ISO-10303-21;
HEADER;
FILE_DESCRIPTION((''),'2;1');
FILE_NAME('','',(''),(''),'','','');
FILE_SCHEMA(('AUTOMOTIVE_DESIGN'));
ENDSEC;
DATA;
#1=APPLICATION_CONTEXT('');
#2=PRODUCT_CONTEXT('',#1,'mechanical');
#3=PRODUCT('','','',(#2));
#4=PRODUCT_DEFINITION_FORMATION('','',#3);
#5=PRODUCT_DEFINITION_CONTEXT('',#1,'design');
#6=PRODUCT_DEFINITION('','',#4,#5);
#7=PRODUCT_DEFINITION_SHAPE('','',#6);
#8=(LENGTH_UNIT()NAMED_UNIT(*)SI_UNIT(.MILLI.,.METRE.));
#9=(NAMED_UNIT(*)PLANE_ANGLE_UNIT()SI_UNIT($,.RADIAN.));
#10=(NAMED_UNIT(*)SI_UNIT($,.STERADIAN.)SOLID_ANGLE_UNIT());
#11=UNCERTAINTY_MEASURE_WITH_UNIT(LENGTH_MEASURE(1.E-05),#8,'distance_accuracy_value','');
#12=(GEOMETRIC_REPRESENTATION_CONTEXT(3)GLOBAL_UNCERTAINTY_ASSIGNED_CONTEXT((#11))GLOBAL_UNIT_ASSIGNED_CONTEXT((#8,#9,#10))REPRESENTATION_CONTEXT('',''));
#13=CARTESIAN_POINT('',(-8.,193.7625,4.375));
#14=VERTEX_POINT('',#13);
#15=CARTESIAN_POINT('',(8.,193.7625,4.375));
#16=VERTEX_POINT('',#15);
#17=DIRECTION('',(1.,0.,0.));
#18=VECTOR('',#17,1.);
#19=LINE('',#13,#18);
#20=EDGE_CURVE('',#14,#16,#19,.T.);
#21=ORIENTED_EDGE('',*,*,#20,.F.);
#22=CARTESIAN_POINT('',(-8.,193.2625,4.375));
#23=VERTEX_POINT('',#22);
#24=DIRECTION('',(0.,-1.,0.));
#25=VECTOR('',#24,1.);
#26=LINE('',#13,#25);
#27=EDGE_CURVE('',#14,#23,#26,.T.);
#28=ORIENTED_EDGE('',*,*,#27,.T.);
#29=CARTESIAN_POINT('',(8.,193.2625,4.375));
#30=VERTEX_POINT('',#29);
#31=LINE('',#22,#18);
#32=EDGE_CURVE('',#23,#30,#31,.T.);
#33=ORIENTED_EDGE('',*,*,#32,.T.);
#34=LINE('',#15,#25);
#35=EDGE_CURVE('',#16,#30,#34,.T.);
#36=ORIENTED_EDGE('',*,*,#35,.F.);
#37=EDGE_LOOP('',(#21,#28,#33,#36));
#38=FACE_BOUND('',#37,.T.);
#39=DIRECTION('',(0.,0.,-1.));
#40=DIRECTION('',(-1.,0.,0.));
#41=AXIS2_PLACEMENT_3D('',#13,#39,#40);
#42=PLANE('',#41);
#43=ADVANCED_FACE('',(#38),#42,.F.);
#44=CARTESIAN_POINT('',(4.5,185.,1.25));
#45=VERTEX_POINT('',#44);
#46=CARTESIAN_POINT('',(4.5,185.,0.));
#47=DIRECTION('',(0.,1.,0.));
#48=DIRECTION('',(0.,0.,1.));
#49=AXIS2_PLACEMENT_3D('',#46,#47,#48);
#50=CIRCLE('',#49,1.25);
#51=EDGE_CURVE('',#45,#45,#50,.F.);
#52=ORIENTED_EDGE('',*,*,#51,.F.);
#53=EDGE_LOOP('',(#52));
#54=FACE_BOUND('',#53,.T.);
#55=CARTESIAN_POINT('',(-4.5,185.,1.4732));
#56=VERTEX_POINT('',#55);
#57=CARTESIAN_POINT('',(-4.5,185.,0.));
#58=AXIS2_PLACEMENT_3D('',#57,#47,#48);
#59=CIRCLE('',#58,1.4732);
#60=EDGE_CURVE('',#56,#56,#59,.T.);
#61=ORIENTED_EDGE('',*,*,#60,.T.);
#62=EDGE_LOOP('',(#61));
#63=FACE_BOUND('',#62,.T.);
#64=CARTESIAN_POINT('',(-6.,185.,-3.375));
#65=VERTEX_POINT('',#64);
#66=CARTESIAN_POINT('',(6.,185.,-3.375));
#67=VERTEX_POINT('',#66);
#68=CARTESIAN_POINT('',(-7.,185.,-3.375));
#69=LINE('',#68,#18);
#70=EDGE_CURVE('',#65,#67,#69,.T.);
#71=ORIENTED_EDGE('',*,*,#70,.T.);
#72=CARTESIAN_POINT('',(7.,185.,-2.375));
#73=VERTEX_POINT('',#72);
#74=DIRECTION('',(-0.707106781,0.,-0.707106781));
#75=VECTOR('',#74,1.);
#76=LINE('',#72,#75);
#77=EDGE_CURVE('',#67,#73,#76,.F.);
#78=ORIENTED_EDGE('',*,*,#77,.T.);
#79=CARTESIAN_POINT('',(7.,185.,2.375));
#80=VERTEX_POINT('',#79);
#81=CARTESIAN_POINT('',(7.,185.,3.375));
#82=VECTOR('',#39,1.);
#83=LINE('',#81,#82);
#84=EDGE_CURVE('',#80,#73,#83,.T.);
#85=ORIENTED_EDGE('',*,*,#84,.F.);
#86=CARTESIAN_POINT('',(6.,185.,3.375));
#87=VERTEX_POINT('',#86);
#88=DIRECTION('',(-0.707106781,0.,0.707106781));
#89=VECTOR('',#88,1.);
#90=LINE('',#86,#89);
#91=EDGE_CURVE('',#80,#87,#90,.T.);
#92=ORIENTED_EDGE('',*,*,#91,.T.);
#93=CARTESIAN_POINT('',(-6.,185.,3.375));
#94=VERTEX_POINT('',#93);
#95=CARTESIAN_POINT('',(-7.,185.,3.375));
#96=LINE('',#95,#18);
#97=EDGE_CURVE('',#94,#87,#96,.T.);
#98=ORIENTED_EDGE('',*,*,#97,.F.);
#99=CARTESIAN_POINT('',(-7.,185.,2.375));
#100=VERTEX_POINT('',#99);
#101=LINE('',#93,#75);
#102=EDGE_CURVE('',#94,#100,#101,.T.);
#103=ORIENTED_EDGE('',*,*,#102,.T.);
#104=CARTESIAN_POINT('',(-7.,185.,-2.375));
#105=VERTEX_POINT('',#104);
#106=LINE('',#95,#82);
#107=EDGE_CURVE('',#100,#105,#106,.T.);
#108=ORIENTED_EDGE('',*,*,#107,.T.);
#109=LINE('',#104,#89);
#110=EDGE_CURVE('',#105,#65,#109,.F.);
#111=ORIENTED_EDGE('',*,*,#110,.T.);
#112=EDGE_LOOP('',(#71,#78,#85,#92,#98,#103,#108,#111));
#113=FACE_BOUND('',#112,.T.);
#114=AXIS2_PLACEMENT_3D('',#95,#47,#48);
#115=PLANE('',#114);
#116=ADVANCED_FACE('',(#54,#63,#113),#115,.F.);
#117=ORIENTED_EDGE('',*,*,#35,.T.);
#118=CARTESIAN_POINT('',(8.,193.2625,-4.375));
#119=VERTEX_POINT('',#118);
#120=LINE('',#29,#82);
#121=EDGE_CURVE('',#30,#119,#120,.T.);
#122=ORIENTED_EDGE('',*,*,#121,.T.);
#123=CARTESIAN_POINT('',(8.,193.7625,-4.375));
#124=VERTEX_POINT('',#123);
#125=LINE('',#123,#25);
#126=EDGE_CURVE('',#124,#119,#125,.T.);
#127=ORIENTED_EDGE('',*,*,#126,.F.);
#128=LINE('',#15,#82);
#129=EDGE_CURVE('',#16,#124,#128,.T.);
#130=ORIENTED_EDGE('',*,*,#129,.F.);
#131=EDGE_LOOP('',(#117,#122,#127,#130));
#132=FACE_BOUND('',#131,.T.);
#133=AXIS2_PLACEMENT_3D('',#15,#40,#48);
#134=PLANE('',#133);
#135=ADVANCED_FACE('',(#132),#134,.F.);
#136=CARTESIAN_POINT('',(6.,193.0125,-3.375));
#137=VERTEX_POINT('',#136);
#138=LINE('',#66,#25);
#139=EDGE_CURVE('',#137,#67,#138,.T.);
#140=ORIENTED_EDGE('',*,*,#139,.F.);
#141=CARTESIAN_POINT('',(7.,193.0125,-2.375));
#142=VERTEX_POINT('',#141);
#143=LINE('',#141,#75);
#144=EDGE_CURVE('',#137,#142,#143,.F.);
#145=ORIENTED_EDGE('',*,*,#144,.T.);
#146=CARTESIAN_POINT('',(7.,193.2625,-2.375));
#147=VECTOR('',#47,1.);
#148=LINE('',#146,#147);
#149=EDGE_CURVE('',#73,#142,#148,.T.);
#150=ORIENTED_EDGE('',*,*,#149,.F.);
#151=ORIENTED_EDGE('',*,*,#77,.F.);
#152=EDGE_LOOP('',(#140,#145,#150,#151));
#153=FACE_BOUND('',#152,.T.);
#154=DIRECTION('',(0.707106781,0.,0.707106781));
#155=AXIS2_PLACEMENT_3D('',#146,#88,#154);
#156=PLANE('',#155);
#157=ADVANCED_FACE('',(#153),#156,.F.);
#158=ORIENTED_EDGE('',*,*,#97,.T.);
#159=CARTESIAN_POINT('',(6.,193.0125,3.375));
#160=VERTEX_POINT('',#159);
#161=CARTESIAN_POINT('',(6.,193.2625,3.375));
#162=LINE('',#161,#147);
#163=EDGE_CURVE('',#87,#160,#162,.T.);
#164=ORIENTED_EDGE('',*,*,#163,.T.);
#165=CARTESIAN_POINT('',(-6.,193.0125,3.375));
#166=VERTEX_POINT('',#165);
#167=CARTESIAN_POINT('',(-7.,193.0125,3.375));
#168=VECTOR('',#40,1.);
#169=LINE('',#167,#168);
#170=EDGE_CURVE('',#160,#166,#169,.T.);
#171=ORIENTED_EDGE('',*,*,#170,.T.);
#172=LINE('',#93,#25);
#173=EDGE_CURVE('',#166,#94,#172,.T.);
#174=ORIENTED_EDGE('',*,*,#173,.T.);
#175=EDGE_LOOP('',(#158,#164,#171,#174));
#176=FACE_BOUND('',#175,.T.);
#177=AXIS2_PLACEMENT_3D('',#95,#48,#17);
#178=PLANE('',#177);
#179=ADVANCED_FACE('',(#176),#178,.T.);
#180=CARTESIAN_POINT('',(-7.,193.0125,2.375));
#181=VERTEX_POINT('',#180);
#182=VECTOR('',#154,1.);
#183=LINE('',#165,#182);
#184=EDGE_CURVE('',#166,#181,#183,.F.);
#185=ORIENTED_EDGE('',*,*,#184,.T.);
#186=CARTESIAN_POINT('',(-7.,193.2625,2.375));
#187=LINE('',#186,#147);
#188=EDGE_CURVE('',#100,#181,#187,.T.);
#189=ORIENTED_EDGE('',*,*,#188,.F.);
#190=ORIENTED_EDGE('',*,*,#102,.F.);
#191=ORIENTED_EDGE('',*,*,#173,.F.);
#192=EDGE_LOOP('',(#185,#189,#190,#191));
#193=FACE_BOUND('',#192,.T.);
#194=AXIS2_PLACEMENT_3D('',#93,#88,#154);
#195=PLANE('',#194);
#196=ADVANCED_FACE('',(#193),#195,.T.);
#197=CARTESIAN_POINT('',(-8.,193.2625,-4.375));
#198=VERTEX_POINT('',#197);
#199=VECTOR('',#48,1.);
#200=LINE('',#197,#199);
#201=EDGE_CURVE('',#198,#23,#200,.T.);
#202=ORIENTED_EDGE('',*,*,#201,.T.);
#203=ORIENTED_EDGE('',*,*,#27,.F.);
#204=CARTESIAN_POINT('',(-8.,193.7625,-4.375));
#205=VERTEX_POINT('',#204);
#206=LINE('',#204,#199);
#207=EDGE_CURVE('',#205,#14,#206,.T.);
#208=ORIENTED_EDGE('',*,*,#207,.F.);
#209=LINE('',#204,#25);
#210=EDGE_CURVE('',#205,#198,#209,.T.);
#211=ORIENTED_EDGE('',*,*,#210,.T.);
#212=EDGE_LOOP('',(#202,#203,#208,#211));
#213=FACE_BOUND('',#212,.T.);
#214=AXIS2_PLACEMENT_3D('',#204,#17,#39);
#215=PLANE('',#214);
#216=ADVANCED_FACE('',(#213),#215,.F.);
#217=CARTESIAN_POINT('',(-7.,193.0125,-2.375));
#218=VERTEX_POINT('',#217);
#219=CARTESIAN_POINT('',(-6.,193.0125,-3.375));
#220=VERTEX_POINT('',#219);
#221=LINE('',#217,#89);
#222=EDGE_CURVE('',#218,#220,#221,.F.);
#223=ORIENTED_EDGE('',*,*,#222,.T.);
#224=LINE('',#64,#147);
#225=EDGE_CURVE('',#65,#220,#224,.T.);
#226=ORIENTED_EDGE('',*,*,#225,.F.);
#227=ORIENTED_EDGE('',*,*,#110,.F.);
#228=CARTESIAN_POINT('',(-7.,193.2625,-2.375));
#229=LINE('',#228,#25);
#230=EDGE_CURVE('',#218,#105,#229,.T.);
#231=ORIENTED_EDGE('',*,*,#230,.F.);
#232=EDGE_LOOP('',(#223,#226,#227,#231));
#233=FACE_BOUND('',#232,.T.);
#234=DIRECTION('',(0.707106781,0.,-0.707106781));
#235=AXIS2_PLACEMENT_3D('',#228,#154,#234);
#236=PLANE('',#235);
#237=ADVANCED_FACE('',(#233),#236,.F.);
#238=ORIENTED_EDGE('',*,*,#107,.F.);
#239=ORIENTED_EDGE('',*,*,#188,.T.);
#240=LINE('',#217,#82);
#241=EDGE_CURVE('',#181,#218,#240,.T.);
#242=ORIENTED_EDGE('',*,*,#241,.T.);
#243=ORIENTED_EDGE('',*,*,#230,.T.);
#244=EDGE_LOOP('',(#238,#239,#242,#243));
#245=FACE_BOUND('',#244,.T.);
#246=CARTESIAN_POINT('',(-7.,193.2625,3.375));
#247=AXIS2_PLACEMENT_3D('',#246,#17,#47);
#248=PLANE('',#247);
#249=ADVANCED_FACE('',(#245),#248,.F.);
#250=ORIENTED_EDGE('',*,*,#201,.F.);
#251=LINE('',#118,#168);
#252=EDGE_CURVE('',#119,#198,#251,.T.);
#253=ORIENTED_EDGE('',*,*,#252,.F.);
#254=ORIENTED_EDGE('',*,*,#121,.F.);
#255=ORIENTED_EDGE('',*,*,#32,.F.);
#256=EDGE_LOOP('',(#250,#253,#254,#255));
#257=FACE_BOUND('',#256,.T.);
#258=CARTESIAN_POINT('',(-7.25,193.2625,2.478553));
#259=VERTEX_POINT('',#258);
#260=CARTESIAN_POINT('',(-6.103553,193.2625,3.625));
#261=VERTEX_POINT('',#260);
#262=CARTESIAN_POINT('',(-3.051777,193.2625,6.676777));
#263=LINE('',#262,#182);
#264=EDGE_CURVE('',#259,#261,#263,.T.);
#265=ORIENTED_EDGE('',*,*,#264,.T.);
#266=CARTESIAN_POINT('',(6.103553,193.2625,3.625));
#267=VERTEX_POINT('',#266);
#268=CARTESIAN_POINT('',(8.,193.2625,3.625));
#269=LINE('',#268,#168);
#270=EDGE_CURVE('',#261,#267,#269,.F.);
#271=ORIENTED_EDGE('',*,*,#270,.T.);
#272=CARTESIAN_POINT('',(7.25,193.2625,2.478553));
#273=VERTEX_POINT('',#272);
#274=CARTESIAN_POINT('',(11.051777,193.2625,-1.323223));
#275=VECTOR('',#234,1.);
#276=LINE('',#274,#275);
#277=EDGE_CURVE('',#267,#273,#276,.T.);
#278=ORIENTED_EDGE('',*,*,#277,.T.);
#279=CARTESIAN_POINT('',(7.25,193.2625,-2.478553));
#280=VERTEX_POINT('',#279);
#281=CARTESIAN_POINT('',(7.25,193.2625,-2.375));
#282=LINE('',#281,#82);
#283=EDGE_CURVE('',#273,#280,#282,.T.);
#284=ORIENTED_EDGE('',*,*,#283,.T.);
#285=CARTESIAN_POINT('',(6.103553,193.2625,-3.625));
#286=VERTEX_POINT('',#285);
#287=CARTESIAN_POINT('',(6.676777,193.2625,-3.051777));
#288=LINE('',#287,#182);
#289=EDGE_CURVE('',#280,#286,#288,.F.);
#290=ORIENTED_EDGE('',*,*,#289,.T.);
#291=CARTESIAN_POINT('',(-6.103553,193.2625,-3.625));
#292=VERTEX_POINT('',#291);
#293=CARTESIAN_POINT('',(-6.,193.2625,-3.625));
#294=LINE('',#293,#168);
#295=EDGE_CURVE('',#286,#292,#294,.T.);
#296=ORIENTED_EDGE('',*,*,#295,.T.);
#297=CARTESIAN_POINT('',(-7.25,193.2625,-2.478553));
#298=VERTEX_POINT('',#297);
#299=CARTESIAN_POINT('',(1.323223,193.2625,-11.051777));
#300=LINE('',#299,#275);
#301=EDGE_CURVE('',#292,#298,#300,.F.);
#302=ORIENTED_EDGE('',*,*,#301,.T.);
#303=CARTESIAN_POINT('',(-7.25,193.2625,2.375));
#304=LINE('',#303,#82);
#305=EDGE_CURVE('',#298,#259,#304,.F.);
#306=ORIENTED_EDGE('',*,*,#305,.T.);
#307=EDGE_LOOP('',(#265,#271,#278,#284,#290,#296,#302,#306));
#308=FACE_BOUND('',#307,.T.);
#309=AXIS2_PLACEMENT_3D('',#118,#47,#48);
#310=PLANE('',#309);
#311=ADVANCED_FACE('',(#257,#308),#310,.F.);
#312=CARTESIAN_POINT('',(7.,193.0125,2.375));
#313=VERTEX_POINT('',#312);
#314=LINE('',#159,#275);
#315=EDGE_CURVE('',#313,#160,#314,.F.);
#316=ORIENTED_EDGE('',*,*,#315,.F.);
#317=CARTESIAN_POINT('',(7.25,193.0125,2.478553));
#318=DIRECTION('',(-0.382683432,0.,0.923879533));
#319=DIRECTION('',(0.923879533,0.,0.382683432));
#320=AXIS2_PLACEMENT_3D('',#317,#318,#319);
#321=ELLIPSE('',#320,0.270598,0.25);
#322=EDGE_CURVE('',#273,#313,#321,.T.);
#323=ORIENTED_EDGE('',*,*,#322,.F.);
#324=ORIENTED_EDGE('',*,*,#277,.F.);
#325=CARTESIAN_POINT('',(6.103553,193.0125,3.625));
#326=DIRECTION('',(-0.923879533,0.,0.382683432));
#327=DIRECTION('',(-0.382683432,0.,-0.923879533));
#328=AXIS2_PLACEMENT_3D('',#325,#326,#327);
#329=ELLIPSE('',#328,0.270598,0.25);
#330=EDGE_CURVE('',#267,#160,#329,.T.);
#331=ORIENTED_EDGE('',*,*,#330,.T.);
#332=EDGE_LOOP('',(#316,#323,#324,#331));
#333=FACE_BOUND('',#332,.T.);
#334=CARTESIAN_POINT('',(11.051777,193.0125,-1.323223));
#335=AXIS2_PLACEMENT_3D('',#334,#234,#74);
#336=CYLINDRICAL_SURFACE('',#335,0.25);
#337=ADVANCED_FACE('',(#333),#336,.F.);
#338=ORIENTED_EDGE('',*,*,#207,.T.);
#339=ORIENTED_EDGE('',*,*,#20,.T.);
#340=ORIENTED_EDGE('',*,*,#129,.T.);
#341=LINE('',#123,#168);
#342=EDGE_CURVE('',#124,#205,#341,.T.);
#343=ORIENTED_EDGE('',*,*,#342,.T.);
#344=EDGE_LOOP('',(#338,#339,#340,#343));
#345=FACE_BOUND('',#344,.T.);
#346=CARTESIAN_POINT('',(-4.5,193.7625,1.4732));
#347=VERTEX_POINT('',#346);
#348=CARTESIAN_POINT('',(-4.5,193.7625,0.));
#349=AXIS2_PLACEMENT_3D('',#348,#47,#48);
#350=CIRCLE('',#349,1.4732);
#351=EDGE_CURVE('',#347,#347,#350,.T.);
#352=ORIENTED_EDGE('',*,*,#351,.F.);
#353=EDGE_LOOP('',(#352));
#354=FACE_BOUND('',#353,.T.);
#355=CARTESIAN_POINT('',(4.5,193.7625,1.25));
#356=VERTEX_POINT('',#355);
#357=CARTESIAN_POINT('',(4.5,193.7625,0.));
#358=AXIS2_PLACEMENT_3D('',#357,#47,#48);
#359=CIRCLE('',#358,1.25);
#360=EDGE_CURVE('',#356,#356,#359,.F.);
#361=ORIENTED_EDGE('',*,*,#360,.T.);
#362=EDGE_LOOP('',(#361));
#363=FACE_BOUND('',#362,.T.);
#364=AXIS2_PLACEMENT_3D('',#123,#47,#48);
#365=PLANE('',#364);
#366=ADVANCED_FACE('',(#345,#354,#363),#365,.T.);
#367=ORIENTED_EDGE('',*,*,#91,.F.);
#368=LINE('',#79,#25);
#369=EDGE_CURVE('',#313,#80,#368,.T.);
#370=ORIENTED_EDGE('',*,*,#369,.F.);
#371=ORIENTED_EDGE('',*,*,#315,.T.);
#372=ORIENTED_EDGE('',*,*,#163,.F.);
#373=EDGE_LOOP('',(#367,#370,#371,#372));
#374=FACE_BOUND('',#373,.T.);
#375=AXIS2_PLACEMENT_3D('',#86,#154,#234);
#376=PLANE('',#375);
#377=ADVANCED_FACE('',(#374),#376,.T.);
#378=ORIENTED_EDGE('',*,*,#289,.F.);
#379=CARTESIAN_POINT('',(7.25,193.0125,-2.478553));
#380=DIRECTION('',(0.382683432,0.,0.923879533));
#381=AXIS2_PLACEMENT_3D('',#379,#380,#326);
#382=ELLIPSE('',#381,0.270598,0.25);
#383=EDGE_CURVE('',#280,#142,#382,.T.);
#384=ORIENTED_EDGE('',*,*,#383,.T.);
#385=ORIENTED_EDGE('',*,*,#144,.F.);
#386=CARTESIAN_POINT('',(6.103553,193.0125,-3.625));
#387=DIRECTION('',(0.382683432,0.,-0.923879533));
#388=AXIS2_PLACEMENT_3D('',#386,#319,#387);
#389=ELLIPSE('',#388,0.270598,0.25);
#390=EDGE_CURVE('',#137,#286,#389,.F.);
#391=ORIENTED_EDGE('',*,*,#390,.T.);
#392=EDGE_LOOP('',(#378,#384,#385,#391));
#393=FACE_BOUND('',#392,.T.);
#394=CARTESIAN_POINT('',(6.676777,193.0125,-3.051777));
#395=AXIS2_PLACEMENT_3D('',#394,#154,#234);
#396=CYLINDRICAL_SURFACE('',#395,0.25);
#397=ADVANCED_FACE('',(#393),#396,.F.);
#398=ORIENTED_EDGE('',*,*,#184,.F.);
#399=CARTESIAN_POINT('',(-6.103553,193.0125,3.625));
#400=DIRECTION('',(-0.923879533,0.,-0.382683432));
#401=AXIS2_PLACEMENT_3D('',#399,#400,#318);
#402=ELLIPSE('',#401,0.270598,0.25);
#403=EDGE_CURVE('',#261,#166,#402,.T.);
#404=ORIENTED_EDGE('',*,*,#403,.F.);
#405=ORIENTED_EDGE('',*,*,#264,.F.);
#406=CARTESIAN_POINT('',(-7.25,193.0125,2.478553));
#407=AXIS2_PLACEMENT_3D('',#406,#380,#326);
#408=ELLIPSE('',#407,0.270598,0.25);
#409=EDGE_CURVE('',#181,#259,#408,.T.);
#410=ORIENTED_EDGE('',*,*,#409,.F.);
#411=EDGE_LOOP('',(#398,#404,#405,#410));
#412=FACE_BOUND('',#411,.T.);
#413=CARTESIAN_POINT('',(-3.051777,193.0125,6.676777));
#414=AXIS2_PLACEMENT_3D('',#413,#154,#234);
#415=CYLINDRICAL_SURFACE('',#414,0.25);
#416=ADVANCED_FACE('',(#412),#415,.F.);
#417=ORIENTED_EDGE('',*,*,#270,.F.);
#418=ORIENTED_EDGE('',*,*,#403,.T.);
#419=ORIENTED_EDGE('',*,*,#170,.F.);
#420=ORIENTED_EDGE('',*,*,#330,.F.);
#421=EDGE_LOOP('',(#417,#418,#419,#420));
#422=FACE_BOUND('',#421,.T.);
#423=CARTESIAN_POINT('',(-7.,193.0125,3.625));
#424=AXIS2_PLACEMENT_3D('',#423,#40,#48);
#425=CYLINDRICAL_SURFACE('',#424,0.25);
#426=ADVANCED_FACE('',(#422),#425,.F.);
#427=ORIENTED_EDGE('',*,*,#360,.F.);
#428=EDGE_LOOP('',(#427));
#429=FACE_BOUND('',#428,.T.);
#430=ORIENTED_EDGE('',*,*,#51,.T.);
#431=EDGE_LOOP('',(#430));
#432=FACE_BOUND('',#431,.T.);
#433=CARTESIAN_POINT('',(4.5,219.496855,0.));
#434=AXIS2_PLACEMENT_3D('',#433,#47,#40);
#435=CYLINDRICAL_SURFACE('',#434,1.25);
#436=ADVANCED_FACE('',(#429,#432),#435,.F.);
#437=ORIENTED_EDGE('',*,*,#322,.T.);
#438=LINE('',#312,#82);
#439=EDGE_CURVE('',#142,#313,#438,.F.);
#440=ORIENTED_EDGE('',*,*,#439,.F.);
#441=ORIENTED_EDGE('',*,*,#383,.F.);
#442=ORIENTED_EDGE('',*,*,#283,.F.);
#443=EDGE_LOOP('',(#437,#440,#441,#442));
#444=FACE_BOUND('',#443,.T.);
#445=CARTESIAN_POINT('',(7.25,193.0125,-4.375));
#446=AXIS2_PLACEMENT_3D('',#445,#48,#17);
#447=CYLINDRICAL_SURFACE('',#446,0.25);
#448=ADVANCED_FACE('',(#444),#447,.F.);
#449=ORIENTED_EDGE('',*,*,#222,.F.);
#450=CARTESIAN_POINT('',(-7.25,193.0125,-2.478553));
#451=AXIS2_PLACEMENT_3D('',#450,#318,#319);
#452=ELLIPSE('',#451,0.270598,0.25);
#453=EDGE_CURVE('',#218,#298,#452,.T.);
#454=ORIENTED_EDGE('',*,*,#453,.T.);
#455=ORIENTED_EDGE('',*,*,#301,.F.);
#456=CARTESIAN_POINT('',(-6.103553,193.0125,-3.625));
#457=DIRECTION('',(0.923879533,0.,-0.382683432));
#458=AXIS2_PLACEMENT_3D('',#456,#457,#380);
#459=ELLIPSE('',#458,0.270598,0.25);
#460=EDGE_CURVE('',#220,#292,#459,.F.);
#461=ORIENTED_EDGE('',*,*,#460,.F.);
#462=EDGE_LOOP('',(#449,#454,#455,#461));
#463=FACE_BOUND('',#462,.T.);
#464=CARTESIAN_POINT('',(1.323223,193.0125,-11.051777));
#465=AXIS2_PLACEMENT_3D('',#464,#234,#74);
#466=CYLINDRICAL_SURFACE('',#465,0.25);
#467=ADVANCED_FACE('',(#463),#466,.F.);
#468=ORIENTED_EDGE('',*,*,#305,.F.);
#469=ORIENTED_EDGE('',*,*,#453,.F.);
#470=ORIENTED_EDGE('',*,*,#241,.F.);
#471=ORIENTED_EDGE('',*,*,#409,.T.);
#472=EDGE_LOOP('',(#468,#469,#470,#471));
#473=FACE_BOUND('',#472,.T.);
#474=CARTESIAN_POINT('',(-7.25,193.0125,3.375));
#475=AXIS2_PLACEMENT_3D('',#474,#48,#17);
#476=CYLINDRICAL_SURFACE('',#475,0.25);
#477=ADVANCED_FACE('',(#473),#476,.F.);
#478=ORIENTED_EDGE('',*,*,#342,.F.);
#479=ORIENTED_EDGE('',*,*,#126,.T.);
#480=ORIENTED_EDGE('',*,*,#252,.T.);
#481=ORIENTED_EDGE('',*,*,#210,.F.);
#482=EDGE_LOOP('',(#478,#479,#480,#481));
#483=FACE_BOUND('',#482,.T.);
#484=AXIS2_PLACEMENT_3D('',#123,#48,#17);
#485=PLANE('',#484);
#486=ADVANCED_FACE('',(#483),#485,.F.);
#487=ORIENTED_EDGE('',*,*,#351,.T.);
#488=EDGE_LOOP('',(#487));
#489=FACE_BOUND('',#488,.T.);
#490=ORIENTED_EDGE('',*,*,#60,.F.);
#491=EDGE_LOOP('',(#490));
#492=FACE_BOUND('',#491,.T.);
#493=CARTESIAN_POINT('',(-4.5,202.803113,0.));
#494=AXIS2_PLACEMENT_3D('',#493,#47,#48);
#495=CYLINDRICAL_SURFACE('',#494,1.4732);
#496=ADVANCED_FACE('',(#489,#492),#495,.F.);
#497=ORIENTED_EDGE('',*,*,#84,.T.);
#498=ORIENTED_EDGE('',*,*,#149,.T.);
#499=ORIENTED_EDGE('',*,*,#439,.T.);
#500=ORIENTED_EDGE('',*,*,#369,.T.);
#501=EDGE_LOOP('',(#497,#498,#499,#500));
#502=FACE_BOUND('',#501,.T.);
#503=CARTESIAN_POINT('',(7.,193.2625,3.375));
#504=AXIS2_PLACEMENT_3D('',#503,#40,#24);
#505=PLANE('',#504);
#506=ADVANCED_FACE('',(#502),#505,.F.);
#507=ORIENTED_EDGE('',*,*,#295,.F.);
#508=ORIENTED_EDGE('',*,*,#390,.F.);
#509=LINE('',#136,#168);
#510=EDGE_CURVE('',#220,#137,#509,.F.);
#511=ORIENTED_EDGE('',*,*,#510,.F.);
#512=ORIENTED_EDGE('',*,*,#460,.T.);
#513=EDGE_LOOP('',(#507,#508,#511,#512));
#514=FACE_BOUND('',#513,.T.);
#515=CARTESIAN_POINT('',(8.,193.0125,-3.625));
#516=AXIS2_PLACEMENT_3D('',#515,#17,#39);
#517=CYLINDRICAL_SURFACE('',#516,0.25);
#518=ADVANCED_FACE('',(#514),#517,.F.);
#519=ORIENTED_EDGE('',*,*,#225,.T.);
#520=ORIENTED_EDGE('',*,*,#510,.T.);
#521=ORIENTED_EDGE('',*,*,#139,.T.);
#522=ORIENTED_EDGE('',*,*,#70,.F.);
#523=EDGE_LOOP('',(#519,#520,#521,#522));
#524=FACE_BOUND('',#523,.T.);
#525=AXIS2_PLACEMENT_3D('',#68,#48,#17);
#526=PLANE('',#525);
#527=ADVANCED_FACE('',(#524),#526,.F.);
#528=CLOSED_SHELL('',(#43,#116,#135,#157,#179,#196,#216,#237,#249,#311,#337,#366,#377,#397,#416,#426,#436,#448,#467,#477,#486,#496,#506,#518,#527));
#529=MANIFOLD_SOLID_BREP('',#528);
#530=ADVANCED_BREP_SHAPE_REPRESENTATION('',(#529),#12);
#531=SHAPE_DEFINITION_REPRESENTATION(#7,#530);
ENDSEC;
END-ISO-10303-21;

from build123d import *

# Parameters (mm, degrees)
SKETCH1_W      = 14
SKETCH1_H      = 8.2625
EXTRUDE1_DEPTH = 3.375
SKETCH4_W      = 16
SKETCH4_H      = 8.75
EXTRUDE2_DEPTH = 0.5
SKETCH2_W      = 1.4732
SKETCH2_H      = 14.507045303
SKETCH3_W      = 1.25
SKETCH3_H      = 20
CHAMFER1_SIZE  = 1
FILLET1_R      = 0.25


with BuildPart() as part:
    # Sketch1 → Extrude1 (new body, symmetric)
    with BuildSketch(Plane.XY):
        with Locations((0, 189.13125)):
            Rectangle(SKETCH1_W, SKETCH1_H)
    extrude(amount=EXTRUDE1_DEPTH, both=True)

    # Sketch4 → Extrude2 (add)
    with BuildSketch(Plane(origin=(0, 193.2625, 0), x_dir=(1, 0, 0), z_dir=(0, 1, 0))):
        Rectangle(SKETCH4_W, SKETCH4_H)
    extrude(amount=EXTRUDE2_DEPTH)

    # Sketch2 → Cut-Revolve1 (revolve, cut)
    with BuildSketch(Plane(origin=(9.451328919, 219.930638069, 0), x_dir=(1, 0, 0), z_dir=(0, 0, -1)), mode=Mode.PRIVATE) as cut_revolve1_sk:
        with Locations((-13.214728919, 31.182818604)):
            Rectangle(SKETCH2_W, SKETCH2_H)
    revolve(cut_revolve1_sk.sketch.rotate(Axis((-4.5, 202.803113019, 0), (0, -1, 0)), 90), axis=Axis((-4.5, 202.803113019, 0), (0, -1, 0)), mode=Mode.SUBTRACT)  # turned: the seam where the file's is

    # Sketch3 → Cut-Revolve2 (revolve, cut)
    with BuildSketch(Plane.XY, mode=Mode.PRIVATE) as cut_revolve2_sk:
        with Locations((5.125, 186.074655067)):
            Rectangle(SKETCH3_W, SKETCH3_H)
    revolve(cut_revolve2_sk.sketch.rotate(Axis((4.5, 219.496854939, 0), (0, -1, 0)), 90), axis=Axis((4.5, 219.496854939, 0), (0, -1, 0)), mode=Mode.SUBTRACT)  # turned: the seam where the file's is

    # Chamfer1
    chamfer1_edges = [part.edges().sort_by_distance(p)[0] for p in [
        (7, 189.13125, 3.375),
        (-7, 189.13125, 3.375),
        (7, 189.13125, -3.375),
        (-7, 189.13125, -3.375),
    ]]
    chamfer(chamfer1_edges, length=CHAMFER1_SIZE)

    # Fillet1
    fillet1_edges = [part.edges().sort_by_distance(p)[0] for p in [
        (-7, 193.2625, 0),
        (0, 193.2625, -3.375),
        (7, 193.2625, 0),
        (0, 193.2625, 3.375),
        (-6.5, 193.2625, -2.875),
        (6.5, 193.2625, -2.875),
        (6.5, 193.2625, 2.875),
        (-6.5, 193.2625, 2.875),
    ]]
    fillet(fillet1_edges, radius=FILLET1_R)


solid = part.part
